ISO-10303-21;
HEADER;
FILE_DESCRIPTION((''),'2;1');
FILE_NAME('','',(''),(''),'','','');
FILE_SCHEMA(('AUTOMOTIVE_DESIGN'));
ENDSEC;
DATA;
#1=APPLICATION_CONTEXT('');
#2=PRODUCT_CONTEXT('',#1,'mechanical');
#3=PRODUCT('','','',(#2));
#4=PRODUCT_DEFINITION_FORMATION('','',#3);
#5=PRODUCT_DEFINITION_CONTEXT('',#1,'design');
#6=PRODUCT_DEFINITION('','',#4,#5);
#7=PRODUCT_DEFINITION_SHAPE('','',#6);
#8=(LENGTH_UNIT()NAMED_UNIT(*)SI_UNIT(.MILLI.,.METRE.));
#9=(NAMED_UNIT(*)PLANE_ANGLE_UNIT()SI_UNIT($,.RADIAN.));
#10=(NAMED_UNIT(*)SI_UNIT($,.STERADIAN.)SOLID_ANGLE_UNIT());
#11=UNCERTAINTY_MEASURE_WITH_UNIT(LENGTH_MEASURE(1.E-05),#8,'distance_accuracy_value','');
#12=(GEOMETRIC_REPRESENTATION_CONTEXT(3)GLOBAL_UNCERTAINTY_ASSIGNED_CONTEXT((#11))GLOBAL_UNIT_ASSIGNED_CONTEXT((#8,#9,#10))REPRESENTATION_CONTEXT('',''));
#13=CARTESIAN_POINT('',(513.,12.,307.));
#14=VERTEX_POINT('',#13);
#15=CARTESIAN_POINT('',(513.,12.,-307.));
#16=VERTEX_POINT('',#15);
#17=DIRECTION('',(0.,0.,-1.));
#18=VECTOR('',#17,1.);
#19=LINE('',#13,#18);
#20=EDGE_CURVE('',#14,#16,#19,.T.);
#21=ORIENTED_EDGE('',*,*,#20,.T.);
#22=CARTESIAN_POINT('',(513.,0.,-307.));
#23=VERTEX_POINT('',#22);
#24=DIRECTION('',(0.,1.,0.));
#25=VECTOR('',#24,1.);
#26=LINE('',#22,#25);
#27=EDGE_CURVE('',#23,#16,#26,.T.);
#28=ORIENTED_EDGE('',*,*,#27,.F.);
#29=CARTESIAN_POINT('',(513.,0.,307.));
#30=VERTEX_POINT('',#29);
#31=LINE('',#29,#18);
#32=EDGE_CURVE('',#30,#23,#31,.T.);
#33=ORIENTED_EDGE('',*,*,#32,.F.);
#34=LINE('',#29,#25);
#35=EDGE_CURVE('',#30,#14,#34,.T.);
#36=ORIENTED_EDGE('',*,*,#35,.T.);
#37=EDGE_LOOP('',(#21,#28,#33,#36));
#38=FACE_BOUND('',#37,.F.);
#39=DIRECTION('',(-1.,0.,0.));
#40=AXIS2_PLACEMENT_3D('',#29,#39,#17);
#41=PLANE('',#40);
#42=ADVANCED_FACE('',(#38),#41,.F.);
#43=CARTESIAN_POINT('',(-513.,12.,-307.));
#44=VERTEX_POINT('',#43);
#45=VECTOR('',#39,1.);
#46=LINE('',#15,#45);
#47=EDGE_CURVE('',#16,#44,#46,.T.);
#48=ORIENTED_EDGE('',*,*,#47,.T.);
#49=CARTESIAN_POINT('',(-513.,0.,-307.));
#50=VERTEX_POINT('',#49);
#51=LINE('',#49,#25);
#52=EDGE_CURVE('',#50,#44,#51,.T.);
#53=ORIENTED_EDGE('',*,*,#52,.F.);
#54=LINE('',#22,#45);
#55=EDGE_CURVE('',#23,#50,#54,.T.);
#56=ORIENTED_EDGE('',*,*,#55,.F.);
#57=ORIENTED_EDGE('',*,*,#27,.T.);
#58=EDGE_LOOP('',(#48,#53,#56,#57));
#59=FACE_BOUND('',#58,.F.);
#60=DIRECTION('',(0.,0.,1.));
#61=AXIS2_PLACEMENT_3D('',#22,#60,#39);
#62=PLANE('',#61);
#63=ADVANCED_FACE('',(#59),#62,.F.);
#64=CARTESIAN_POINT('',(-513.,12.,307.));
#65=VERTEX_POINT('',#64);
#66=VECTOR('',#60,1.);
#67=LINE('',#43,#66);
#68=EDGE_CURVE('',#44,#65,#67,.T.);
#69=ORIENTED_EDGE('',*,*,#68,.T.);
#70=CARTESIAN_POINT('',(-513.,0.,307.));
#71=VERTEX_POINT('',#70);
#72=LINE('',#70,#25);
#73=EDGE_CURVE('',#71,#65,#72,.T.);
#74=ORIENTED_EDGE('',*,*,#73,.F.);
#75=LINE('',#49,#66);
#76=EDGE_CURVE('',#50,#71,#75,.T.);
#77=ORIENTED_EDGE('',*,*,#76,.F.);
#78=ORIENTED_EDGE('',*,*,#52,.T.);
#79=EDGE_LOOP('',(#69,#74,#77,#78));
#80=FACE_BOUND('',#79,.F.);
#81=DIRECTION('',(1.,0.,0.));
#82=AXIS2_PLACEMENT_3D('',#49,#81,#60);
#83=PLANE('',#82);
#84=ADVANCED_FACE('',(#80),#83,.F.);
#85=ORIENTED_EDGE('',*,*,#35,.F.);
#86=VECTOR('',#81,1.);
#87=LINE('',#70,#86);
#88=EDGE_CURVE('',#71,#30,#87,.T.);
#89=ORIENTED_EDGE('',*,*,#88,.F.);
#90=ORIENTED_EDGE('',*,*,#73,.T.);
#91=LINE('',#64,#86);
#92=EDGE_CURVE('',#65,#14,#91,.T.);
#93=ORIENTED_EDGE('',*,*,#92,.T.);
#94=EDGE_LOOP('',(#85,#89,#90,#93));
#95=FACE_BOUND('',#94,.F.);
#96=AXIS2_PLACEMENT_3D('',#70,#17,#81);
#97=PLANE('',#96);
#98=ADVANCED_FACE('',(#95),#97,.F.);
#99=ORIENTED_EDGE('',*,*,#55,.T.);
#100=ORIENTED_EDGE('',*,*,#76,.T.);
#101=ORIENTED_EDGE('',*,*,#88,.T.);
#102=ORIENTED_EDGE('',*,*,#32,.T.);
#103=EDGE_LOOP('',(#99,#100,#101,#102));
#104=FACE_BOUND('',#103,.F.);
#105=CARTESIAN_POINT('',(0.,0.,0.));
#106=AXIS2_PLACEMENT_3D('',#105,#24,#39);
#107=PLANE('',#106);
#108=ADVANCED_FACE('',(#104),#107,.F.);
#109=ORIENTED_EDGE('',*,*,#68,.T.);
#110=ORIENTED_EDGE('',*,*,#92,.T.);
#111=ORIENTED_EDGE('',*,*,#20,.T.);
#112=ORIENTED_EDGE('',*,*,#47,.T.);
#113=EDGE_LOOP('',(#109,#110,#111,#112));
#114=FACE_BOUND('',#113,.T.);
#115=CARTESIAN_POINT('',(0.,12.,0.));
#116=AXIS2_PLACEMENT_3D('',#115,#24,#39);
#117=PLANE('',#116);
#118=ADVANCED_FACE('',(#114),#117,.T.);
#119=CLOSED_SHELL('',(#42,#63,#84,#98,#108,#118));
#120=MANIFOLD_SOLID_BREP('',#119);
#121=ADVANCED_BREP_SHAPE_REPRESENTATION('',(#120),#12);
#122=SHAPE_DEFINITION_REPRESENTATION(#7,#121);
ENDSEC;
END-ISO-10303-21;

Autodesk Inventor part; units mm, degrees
ref_plane "YZ Plane" through (0, 0, 0) normal (1, 0, 0) x (0, 1, 0)
ref_plane "XZ Plane" through (0, 0, 0) normal (0, 1, 0) x (-1, 0, 0)
ref_plane "XY Plane" through (0, 0, 0) normal (0, 0, 1) x (1, 0, 0)
sketch "Skizze1" plane through (0, 0, 0) normal (0, 1, 0) x (-1, 0, 0)
  line L0 (513, 307) -> (-513, 307)
  line L1 (-513, 307) -> (-513, -307)
  line L2 (-513, -307) -> (513, -307)
  line L3 (513, -307) -> (513, 307)
  point P0 (0, 0)
  point P1 (0, 307)
  point P2 (513, 0)
  dimension "d0" = 1026
  dimension "d1" = 614
extrude "Extrusion1" add sketch "Skizze1" along normal blind 12
properties part number "Rückseite_Gehäuse" material "Holz (Kirsche)"
